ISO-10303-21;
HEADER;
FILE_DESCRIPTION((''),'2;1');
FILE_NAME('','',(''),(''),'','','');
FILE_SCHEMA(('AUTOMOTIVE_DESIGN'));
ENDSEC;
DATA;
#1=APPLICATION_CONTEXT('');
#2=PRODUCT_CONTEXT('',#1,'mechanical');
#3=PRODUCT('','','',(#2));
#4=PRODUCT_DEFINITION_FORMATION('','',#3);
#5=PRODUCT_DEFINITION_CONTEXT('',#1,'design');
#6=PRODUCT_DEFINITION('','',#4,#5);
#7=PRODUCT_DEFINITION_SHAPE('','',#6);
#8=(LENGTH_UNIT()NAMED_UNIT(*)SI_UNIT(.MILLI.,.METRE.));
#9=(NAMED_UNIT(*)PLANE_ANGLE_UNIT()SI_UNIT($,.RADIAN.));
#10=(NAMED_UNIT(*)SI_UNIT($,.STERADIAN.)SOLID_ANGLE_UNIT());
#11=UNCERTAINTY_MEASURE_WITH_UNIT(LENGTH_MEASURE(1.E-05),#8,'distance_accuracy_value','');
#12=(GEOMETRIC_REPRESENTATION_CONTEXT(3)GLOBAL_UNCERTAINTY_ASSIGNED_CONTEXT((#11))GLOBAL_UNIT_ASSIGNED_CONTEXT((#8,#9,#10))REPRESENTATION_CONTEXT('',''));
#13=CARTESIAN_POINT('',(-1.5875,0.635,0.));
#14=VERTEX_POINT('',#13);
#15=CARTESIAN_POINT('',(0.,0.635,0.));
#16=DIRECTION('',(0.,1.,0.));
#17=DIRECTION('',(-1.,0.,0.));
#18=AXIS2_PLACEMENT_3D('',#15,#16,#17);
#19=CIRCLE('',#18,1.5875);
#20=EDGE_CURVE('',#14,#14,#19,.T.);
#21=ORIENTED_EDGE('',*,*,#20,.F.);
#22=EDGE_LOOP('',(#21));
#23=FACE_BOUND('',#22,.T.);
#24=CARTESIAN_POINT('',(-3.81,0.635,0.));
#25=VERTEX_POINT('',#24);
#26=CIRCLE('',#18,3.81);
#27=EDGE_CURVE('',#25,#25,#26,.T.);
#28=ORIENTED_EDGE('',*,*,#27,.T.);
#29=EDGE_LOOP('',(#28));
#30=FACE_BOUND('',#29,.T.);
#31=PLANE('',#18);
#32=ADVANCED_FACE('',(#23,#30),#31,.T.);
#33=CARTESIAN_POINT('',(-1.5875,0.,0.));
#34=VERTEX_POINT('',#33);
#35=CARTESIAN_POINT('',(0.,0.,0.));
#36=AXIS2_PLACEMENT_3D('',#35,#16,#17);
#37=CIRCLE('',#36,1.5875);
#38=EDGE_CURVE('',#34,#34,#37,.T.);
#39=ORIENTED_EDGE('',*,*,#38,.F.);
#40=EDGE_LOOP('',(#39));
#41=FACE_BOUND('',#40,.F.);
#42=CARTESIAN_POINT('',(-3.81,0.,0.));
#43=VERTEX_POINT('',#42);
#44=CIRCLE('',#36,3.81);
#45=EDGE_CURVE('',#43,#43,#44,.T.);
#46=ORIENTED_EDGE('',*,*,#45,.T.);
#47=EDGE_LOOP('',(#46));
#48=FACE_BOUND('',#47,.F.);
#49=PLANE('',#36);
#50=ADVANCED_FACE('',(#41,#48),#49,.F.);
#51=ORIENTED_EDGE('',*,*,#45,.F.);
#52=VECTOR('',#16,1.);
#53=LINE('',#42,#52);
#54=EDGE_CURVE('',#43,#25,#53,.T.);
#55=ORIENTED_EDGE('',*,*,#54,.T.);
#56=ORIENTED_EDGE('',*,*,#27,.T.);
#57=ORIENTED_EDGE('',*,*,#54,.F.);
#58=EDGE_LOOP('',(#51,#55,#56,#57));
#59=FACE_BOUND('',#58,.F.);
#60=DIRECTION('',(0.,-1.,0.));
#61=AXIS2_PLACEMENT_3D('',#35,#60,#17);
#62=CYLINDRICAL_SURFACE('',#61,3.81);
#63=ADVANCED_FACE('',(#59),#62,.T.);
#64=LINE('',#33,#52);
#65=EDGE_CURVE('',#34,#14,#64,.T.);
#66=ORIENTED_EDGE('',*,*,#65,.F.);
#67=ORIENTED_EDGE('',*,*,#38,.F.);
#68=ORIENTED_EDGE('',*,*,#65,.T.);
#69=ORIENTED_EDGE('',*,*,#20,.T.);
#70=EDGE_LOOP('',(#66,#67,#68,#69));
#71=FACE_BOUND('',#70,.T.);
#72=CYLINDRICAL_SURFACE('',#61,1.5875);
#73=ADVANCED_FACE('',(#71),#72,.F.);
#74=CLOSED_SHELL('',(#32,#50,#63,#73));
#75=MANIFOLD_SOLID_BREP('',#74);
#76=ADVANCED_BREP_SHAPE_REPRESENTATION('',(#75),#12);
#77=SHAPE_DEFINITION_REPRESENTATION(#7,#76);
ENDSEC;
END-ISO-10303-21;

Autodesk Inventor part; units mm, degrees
ref_plane "YZ Plane" through (0, 0, 0) normal (1, 0, 0) x (0, 1, 0)
ref_plane "XZ Plane" through (0, 0, 0) normal (0, 1, 0) x (-1, 0, 0)
ref_plane "XY Plane" through (0, 0, 0) normal (0, 0, 1) x (1, 0, 0)
sketch "Sketch1" plane through (0, 0, 0) normal (0, 1, 0) x (-1, 0, 0)
  circle A0 centre (0, 0) radius 1.5875
  circle A1 centre (0, 0) radius 3.81
  dimension "d0" = 3.175
  dimension "d1" = 7.62
extrude "Extrusion1" add sketch "Sketch1" along normal blind 0.635
properties part number "rollerwasher"
